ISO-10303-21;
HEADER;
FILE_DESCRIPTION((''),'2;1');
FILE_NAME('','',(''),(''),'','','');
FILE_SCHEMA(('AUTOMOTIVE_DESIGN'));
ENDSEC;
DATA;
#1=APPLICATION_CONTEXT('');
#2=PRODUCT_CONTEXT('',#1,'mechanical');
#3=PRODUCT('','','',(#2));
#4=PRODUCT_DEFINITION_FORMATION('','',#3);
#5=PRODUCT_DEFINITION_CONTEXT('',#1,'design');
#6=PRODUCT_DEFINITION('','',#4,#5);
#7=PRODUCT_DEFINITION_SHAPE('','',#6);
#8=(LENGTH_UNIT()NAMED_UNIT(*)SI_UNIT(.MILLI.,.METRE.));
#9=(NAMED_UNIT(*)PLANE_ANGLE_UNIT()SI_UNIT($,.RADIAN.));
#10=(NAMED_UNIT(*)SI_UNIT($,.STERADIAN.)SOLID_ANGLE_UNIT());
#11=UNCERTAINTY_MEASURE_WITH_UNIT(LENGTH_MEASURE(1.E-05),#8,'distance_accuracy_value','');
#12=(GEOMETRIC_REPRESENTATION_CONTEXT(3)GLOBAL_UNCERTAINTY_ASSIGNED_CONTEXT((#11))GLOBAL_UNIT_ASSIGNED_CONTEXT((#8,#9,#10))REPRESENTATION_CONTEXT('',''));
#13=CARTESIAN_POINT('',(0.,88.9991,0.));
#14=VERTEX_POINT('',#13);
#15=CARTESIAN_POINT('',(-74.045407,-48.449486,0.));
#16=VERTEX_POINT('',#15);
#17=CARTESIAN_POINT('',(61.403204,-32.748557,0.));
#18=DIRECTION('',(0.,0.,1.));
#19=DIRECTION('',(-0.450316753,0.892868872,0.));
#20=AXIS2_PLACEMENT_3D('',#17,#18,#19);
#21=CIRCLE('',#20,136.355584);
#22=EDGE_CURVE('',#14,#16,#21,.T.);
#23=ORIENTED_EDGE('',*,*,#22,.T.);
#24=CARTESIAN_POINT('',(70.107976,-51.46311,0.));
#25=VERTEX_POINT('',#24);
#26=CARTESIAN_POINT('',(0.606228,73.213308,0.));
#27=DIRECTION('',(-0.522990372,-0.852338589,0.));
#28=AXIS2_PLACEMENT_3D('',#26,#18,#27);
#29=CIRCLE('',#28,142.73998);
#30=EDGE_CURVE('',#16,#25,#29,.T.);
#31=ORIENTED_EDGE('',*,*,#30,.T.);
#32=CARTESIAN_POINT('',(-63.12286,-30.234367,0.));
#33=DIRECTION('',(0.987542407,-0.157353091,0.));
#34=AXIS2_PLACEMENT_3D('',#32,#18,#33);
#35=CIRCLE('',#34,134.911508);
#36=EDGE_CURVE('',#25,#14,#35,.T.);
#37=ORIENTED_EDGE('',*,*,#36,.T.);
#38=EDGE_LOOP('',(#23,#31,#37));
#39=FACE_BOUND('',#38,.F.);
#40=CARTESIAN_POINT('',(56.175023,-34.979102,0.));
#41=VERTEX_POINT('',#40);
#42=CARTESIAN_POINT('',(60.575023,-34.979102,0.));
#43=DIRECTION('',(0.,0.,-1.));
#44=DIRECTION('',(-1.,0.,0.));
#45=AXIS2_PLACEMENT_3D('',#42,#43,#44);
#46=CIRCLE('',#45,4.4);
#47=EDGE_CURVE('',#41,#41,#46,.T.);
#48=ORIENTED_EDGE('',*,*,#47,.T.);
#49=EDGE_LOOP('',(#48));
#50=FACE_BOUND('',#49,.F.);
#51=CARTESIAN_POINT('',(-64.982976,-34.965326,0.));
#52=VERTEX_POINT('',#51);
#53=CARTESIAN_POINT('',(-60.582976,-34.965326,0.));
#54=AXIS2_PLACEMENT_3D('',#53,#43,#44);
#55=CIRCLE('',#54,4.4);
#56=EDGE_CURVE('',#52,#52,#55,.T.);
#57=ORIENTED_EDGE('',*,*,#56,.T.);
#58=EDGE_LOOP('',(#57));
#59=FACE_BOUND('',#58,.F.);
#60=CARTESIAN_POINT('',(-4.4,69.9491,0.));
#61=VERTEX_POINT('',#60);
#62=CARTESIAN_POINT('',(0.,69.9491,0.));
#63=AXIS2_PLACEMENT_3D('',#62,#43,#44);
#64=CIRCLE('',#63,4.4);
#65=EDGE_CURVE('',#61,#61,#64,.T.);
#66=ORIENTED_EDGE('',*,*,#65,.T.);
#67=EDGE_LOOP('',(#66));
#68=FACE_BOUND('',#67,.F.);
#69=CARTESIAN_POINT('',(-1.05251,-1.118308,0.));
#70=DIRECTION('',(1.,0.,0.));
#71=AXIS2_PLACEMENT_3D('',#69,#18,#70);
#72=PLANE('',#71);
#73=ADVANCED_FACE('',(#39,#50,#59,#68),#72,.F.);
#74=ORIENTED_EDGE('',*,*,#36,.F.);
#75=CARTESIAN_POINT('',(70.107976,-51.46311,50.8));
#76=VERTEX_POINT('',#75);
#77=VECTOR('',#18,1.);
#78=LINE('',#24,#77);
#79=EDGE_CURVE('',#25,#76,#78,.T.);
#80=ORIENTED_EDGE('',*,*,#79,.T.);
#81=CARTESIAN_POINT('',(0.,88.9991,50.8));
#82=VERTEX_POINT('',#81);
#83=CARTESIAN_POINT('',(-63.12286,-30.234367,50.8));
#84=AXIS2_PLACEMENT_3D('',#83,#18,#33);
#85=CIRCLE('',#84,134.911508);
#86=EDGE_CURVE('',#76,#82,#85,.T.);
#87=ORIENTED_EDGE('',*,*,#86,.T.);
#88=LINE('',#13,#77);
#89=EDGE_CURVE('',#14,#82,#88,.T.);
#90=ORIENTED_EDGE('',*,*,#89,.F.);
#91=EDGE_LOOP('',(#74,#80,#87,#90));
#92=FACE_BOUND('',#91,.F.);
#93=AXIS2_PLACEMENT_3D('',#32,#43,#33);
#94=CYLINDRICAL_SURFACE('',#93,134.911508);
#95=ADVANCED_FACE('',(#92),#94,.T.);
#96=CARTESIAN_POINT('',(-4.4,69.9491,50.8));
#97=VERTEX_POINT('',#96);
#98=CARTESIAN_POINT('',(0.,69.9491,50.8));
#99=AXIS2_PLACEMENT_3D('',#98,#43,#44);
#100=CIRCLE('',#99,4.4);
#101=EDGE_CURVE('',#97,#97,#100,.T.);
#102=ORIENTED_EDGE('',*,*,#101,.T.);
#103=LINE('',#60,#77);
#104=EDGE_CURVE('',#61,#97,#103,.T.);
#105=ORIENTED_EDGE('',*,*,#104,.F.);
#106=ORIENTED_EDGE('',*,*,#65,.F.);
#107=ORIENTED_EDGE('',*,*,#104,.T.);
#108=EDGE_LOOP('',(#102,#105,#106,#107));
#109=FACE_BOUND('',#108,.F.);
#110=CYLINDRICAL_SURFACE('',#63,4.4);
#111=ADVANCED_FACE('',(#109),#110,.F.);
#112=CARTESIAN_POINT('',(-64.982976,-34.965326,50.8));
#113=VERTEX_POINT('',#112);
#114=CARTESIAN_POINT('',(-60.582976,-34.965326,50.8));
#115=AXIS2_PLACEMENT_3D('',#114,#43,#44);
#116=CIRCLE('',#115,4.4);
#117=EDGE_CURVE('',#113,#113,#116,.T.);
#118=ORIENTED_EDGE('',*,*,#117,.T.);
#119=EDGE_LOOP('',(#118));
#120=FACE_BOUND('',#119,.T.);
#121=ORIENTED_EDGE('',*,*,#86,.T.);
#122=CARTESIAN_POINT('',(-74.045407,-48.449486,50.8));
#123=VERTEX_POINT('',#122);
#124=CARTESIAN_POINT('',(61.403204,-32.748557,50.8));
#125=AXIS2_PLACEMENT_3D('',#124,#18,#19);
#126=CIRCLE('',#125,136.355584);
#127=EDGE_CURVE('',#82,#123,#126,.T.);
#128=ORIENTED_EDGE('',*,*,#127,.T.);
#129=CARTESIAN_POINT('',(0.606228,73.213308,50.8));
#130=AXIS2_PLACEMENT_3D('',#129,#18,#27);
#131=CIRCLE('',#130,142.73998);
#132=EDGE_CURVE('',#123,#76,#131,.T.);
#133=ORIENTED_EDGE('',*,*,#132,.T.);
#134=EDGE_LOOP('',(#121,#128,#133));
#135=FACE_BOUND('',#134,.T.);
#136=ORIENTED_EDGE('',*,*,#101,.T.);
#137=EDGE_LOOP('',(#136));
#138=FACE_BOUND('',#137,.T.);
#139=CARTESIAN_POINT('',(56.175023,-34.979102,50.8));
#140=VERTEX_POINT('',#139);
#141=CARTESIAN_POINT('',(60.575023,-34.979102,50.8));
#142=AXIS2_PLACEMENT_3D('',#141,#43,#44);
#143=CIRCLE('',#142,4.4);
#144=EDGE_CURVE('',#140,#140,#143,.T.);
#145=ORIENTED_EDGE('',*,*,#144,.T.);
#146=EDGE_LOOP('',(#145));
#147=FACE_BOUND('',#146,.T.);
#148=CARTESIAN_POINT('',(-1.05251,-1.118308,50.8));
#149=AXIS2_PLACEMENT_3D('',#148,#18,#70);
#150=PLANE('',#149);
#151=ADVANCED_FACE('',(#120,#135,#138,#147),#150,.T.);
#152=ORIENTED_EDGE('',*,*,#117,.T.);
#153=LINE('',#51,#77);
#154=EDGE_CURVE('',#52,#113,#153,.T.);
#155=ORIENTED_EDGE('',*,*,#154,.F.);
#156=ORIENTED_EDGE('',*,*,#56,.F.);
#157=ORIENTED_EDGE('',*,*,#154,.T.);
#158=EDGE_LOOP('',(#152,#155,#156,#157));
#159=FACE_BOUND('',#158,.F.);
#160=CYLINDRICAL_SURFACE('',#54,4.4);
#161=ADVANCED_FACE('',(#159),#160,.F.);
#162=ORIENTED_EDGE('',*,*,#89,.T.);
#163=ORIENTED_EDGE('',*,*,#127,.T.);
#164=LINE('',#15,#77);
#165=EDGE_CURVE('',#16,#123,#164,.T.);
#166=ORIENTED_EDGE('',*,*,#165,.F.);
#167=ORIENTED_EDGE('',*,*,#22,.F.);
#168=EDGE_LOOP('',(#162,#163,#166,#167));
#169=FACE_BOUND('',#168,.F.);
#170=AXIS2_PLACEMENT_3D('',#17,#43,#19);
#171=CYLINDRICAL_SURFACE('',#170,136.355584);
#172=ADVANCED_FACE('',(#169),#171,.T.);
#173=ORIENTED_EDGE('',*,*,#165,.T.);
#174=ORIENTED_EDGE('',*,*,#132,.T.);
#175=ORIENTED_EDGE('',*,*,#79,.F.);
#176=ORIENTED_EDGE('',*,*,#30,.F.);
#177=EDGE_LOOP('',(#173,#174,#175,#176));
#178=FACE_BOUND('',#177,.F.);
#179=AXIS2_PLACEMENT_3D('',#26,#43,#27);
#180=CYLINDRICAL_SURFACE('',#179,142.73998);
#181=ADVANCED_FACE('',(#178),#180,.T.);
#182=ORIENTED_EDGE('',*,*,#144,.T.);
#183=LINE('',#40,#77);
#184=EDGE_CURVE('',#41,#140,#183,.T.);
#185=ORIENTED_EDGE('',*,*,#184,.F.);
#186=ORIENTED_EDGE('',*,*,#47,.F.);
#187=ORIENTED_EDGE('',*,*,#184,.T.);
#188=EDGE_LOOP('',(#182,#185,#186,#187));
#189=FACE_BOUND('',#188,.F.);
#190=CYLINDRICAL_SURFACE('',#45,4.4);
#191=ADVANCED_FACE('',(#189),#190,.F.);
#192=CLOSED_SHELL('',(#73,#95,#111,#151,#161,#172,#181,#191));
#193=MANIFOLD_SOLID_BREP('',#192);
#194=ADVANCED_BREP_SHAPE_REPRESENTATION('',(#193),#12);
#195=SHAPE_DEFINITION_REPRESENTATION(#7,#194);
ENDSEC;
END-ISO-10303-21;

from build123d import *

# Parameters (mm, degrees)
PAD_DEPTH  = 50.8
SKETCH_R   = 4.4
HOLE_DEPTH = 50.801


with BuildPart() as part:
    # Sketch001 → Pad (new body)
    with BuildSketch(Plane.XY):
        with BuildLine():
            ThreePointArc((0, 88.9991), (-58.64132, 31.921047), (-74.045407, -48.449486))
            ThreePointArc((-74.045407, -48.449486), (-2.377196, -69.495491), (70.107976, -51.46311))
            ThreePointArc((70.107976, -51.46311), (57.587958, 30.015227), (0, 88.9991))
        make_face()
    extrude(amount=PAD_DEPTH)

    # Sketch (on Sketch) → Hole (cut, through all)
    with BuildSketch(Plane(origin=(0, 0, 0), x_dir=(-1, 0, 0), z_dir=(0, 0, -1))):
        with Locations((-60.575023, -34.979102)):
            Circle(SKETCH_R)
        with Locations((0, 69.9491)):
            Circle(SKETCH_R)
        with Locations((60.582976, -34.965326)):
            Circle(SKETCH_R)
    extrude(amount=-HOLE_DEPTH, mode=Mode.SUBTRACT)


solid = part.part
